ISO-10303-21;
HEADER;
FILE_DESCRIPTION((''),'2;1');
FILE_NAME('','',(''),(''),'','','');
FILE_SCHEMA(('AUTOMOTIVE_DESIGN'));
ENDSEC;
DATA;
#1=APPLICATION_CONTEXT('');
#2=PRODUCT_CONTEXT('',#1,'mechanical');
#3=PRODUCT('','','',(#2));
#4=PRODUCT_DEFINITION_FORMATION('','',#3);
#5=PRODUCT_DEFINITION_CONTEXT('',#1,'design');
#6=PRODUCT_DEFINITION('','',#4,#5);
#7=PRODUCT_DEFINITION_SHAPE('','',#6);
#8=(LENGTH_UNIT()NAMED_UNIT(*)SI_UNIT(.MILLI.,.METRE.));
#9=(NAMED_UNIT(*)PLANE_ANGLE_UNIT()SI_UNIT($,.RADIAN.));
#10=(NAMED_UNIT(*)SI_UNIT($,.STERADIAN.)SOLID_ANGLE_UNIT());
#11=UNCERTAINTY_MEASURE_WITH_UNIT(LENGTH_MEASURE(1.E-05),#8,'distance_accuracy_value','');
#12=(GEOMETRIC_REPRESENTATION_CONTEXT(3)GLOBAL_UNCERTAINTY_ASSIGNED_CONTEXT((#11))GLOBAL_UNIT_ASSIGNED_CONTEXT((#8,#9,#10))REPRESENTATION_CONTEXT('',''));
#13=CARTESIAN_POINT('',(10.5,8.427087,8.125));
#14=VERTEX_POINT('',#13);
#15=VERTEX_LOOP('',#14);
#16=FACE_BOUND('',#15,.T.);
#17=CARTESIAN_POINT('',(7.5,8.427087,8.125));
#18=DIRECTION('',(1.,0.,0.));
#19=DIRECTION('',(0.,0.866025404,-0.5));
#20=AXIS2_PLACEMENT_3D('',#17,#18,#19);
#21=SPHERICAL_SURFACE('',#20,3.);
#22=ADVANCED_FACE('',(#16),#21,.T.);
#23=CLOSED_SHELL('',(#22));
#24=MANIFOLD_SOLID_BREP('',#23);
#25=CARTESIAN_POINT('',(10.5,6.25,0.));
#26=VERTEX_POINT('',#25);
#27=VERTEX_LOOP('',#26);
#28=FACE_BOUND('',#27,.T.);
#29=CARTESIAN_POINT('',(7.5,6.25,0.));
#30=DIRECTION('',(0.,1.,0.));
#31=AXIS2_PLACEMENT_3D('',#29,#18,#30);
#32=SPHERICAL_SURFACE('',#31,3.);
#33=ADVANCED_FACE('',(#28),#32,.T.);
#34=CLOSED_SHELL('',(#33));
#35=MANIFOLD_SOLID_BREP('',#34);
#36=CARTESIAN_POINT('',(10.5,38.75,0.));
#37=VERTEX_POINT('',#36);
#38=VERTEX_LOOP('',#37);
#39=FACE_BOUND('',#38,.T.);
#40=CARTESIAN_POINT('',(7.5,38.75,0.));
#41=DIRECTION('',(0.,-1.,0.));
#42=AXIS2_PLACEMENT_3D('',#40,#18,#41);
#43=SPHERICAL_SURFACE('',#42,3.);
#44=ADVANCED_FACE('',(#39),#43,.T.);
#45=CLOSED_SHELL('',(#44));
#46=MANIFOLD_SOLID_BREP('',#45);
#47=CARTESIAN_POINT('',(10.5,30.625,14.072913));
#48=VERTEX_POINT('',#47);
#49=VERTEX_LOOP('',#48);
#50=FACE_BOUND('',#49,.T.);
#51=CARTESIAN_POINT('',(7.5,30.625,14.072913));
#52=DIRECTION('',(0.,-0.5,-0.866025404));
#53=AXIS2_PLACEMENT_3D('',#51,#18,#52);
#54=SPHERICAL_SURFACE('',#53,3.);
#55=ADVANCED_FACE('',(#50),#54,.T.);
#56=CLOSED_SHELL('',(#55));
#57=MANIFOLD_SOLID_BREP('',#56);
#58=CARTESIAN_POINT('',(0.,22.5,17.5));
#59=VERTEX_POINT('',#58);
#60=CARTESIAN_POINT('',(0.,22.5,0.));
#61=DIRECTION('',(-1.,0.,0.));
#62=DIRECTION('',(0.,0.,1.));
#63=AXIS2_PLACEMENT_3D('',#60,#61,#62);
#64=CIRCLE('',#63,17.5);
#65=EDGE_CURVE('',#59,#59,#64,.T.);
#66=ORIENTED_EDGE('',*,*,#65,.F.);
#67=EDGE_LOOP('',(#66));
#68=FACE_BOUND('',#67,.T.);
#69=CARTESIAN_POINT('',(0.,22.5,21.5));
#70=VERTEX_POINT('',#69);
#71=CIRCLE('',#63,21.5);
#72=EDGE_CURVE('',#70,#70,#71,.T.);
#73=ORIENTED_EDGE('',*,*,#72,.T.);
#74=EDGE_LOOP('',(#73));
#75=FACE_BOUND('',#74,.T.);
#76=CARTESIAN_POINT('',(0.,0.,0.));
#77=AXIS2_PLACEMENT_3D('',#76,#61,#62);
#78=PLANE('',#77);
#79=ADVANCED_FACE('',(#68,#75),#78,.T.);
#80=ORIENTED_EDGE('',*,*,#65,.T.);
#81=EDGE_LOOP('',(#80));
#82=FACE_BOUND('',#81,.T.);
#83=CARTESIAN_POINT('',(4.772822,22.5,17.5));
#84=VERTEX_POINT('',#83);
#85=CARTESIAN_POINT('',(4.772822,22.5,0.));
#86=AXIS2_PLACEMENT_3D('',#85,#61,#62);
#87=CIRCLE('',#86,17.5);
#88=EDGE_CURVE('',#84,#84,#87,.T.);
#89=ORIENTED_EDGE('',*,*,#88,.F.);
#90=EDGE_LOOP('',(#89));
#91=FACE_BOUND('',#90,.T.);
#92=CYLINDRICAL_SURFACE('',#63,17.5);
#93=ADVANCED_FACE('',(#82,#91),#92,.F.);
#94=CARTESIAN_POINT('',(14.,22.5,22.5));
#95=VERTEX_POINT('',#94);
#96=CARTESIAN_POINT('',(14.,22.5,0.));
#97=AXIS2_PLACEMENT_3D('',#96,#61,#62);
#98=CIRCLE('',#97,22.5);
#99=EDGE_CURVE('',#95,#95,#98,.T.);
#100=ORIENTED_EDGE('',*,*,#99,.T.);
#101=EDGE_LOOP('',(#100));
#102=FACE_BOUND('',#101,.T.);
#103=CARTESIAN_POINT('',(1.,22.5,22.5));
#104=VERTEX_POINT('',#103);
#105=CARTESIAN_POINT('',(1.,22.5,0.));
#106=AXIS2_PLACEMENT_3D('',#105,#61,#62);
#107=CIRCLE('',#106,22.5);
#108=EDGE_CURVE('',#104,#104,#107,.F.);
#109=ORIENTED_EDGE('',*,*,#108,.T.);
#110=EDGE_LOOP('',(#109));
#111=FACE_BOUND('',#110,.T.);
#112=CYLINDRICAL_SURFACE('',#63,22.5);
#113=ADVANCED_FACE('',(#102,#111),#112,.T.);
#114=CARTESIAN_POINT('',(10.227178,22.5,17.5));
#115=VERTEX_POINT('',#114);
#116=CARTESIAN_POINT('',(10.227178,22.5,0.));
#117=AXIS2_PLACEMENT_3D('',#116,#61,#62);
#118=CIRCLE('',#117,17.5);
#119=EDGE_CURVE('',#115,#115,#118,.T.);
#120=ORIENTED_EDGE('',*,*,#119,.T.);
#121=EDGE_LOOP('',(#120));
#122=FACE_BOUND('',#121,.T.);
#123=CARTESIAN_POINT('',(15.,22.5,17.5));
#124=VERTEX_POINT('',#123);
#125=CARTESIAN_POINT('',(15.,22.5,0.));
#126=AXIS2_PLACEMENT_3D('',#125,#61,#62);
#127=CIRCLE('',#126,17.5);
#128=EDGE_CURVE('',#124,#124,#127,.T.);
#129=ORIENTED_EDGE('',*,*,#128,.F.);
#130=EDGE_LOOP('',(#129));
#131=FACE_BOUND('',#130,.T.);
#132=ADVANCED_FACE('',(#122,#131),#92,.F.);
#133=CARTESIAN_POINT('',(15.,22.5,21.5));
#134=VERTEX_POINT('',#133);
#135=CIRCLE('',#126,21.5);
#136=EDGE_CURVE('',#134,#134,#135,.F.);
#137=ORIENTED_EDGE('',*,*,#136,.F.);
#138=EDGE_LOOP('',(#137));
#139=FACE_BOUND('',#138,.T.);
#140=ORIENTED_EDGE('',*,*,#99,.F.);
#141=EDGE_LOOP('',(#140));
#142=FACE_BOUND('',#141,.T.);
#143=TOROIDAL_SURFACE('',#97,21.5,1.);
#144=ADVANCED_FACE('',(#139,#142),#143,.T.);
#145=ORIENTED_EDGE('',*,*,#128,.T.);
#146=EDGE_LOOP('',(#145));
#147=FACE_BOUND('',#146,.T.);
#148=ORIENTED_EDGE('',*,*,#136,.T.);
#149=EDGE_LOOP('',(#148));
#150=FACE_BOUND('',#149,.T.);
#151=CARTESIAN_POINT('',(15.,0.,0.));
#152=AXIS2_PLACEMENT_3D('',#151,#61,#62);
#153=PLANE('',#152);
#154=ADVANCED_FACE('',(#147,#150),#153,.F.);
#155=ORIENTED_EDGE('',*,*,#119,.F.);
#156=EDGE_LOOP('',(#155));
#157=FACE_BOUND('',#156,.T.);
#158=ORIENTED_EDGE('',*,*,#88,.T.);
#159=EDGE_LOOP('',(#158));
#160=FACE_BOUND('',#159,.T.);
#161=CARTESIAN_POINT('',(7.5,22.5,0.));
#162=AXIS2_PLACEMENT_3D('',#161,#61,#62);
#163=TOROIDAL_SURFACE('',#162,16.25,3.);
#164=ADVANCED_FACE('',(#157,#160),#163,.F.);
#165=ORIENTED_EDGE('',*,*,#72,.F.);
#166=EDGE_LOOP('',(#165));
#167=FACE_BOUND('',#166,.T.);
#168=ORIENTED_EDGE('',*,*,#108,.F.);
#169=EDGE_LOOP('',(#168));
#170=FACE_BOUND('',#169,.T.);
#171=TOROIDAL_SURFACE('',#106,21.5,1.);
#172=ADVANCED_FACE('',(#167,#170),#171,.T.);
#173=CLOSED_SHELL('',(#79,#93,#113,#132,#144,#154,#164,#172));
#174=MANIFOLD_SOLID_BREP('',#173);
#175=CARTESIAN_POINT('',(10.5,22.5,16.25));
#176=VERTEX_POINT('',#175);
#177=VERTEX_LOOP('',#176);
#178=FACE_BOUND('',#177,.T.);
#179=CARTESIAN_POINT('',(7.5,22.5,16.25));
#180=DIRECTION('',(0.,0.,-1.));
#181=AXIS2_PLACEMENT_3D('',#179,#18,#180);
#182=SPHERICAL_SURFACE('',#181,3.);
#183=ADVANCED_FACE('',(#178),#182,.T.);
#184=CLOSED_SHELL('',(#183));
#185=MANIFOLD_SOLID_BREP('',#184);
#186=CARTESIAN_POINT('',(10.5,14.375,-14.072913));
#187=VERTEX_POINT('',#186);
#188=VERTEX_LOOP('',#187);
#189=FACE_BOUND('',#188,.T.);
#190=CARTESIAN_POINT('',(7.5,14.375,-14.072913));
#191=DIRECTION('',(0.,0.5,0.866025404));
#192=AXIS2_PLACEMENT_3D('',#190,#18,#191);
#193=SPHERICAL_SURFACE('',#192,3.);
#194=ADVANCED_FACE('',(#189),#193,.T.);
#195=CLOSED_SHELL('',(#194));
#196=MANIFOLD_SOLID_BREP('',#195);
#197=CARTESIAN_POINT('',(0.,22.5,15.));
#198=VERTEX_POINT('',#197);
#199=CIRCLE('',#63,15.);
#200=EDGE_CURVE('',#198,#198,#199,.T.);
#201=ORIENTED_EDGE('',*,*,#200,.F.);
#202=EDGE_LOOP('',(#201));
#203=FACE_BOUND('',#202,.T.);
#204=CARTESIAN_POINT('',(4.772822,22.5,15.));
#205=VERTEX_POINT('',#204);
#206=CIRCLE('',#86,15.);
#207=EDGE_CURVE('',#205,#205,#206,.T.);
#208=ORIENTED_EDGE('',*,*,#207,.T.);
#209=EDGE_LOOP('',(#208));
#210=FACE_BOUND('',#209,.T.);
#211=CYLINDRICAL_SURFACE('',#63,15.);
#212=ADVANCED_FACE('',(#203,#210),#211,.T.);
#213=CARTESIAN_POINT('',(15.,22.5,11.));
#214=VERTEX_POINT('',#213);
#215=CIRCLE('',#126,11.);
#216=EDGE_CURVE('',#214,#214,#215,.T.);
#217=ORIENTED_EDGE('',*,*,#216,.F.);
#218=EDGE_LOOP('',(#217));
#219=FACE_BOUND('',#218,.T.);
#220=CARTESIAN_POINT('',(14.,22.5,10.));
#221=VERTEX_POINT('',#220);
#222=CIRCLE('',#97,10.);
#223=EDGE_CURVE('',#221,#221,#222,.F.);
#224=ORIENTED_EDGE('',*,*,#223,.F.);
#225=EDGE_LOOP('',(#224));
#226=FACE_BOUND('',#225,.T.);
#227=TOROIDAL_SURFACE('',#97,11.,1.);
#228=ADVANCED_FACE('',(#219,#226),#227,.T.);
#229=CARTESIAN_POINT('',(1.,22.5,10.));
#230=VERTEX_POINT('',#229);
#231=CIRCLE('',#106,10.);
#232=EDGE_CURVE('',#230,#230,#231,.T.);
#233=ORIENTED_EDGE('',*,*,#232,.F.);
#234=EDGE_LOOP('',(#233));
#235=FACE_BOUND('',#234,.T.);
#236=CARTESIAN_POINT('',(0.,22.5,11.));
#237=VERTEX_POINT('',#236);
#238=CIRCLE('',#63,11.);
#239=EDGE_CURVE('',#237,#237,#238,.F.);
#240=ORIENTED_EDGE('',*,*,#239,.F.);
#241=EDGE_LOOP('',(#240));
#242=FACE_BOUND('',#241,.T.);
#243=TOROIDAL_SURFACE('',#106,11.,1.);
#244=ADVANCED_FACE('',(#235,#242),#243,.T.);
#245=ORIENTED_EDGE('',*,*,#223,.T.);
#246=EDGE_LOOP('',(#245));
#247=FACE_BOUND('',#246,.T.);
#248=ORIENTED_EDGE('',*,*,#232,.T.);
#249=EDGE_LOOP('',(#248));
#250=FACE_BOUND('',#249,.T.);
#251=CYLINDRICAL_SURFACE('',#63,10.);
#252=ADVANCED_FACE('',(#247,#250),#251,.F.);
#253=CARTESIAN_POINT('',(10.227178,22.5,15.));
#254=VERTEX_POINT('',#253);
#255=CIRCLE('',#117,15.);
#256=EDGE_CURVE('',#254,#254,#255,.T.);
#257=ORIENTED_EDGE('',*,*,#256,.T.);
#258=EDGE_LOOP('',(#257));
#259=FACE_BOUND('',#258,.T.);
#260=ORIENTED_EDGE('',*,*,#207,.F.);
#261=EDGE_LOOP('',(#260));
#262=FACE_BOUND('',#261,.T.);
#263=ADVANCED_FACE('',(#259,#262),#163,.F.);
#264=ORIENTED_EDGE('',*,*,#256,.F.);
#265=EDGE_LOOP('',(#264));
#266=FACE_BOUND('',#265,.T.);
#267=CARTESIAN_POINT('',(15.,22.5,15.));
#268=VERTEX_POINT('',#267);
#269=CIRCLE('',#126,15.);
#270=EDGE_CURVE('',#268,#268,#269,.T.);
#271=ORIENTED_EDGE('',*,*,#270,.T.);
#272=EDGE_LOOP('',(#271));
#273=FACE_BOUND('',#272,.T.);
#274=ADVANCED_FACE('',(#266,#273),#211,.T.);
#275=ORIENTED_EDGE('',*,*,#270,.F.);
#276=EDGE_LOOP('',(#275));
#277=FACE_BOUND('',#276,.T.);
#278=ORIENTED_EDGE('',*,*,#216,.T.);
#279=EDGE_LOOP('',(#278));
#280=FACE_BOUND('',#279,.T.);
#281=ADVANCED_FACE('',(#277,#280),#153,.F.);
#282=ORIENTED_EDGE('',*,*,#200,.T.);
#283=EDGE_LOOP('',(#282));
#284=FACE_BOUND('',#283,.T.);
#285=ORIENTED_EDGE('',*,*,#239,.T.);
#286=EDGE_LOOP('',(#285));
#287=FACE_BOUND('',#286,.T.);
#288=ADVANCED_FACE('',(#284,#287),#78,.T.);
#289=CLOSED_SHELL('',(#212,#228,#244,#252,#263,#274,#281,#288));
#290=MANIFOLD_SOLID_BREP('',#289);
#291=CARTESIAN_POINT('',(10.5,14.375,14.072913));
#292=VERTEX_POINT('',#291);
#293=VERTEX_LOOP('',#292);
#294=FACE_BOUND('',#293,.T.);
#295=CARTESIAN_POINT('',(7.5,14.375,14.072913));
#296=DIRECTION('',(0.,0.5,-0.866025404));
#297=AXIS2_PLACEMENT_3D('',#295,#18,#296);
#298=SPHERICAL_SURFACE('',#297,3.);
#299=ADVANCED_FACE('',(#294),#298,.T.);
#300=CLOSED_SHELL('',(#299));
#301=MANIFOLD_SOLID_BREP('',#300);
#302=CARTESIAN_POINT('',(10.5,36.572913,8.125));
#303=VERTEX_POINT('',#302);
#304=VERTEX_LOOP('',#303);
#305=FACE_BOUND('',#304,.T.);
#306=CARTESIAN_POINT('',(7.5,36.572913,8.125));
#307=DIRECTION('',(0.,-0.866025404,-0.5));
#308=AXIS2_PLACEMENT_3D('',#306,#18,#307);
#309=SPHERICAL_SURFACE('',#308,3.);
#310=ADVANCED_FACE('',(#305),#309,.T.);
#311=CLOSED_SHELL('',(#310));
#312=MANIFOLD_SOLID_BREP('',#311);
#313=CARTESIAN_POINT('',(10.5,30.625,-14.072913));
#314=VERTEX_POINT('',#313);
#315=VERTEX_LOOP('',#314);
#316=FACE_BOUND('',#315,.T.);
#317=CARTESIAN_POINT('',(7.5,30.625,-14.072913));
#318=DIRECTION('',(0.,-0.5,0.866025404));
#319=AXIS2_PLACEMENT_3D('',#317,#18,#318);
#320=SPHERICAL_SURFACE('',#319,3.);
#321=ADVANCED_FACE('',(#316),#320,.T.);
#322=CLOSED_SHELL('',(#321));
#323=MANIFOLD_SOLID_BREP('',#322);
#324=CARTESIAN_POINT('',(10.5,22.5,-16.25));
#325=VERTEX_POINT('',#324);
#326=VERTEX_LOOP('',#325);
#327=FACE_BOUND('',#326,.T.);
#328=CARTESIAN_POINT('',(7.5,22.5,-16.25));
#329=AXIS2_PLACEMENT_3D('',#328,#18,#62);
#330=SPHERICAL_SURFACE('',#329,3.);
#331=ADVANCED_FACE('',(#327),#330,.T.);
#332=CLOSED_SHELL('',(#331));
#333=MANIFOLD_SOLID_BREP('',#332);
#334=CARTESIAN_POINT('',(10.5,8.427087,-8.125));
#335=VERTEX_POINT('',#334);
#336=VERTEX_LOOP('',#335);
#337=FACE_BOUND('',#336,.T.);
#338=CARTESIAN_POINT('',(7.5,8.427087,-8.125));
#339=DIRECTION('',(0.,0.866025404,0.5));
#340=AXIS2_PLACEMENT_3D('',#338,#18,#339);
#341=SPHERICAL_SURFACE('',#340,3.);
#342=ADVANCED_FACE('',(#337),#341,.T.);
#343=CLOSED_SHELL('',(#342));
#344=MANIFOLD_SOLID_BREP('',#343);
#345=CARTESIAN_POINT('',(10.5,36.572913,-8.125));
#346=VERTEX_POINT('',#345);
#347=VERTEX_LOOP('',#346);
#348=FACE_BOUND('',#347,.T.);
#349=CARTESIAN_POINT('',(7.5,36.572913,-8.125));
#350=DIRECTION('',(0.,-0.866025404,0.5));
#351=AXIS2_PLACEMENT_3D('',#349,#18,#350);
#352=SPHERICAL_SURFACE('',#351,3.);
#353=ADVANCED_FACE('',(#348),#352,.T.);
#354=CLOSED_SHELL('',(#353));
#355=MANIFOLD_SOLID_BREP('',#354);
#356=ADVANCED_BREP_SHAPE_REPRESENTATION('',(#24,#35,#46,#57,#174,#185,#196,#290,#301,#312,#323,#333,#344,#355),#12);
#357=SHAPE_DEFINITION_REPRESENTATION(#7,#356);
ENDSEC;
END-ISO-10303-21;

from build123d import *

# Parameters (mm, degrees)
FILLET1_R         = 1
FILLET2_R         = 1
CIRPATTERN2_COUNT = 12


with BuildPart() as part:
    # Sketch1 → Revolve3 (revolve)
    with BuildSketch(Plane.XY):
        with BuildLine():
            Line((0, 12.5), (0, 7.5))
            Line((0, 7.5), (4.772821971, 7.5))
            ThreePointArc((4.772821971, 7.5), (7.5, 9.25), (10.227178029, 7.5))
            Line((10.227178029, 7.5), (15, 7.5))
            Line((15, 7.5), (15, 12.5))
            Line((15, 12.5), (0, 12.5))
        make_face()
        with BuildLine():
            Line((0, 5), (0, 0))
            Line((0, 0), (15, 0))
            Line((15, 0), (15, 5))
            Line((15, 5), (10.227178029, 5))
            ThreePointArc((10.227178029, 5), (7.5, 3.25), (4.772821971, 5))
            Line((4.772821971, 5), (0, 5))
        make_face()
    revolve(axis=Axis((0, 22.5, 0), (1, 0, 0)))

    # Fillet1
    fillet1_edges = [part.edges().sort_by_distance(p)[0] for p in [
        (15, 45, 0),
        (0, 45, 0),
    ]]
    fillet(fillet1_edges, radius=FILLET1_R)

    # Fillet2
    fillet2_edges = [part.edges().sort_by_distance(p)[0] for p in [
        (0, 32.5, 0),
        (15, 32.5, 0),
    ]]
    fillet(fillet2_edges, radius=FILLET2_R)


with BuildPart() as body_2:
    # Sketch5 → Revolve4 (revolve)
    with BuildSketch(Plane(origin=(0, 22.5, 0), x_dir=(1, 0, 0), z_dir=(0, 1, 0))):
        with BuildLine():
            Line((10.5, 16.25), (4.5, 16.25))
            ThreePointArc((4.5, 16.25), (7.5, 19.25), (10.5, 16.25))
        make_face()
    revolve(axis=Axis((10.5, 22.5, -16.25), (-1, 0, 0)))


with BuildPart() as cirpattern2_1:
    # CirPattern2: pattern copy
    add(body_2.part.rotate(Axis((0, 22.5, 0), (1, 0, 0)), 1 * 360 / CIRPATTERN2_COUNT))


with BuildPart() as cirpattern2_2:
    # CirPattern2: pattern copy
    add(body_2.part.rotate(Axis((0, 22.5, 0), (1, 0, 0)), 2 * 360 / CIRPATTERN2_COUNT))


with BuildPart() as cirpattern2_3:
    # CirPattern2: pattern copy
    add(body_2.part.rotate(Axis((0, 22.5, 0), (1, 0, 0)), 3 * 360 / CIRPATTERN2_COUNT))


with BuildPart() as cirpattern2_4:
    # CirPattern2: pattern copy
    add(body_2.part.rotate(Axis((0, 22.5, 0), (1, 0, 0)), 4 * 360 / CIRPATTERN2_COUNT))


with BuildPart() as cirpattern2_5:
    # CirPattern2: pattern copy
    add(body_2.part.rotate(Axis((0, 22.5, 0), (1, 0, 0)), 5 * 360 / CIRPATTERN2_COUNT))


with BuildPart() as cirpattern2_6:
    # CirPattern2: pattern copy
    add(body_2.part.rotate(Axis((0, 22.5, 0), (1, 0, 0)), 6 * 360 / CIRPATTERN2_COUNT))


with BuildPart() as cirpattern2_7:
    # CirPattern2: pattern copy
    add(body_2.part.rotate(Axis((0, 22.5, 0), (1, 0, 0)), 7 * 360 / CIRPATTERN2_COUNT))


with BuildPart() as cirpattern2_8:
    # CirPattern2: pattern copy
    add(body_2.part.rotate(Axis((0, 22.5, 0), (1, 0, 0)), 8 * 360 / CIRPATTERN2_COUNT))


with BuildPart() as cirpattern2_9:
    # CirPattern2: pattern copy
    add(body_2.part.rotate(Axis((0, 22.5, 0), (1, 0, 0)), 9 * 360 / CIRPATTERN2_COUNT))


with BuildPart() as cirpattern2_10:
    # CirPattern2: pattern copy
    add(body_2.part.rotate(Axis((0, 22.5, 0), (1, 0, 0)), 10 * 360 / CIRPATTERN2_COUNT))


with BuildPart() as cirpattern2_11:
    # CirPattern2: pattern copy
    add(body_2.part.rotate(Axis((0, 22.5, 0), (1, 0, 0)), 11 * 360 / CIRPATTERN2_COUNT))


solid = Compound([part.part, body_2.part, cirpattern2_1.part, cirpattern2_2.part, cirpattern2_3.part, cirpattern2_4.part, cirpattern2_5.part, cirpattern2_6.part, cirpattern2_7.part, cirpattern2_8.part, cirpattern2_9.part, cirpattern2_10.part, cirpattern2_11.part])
